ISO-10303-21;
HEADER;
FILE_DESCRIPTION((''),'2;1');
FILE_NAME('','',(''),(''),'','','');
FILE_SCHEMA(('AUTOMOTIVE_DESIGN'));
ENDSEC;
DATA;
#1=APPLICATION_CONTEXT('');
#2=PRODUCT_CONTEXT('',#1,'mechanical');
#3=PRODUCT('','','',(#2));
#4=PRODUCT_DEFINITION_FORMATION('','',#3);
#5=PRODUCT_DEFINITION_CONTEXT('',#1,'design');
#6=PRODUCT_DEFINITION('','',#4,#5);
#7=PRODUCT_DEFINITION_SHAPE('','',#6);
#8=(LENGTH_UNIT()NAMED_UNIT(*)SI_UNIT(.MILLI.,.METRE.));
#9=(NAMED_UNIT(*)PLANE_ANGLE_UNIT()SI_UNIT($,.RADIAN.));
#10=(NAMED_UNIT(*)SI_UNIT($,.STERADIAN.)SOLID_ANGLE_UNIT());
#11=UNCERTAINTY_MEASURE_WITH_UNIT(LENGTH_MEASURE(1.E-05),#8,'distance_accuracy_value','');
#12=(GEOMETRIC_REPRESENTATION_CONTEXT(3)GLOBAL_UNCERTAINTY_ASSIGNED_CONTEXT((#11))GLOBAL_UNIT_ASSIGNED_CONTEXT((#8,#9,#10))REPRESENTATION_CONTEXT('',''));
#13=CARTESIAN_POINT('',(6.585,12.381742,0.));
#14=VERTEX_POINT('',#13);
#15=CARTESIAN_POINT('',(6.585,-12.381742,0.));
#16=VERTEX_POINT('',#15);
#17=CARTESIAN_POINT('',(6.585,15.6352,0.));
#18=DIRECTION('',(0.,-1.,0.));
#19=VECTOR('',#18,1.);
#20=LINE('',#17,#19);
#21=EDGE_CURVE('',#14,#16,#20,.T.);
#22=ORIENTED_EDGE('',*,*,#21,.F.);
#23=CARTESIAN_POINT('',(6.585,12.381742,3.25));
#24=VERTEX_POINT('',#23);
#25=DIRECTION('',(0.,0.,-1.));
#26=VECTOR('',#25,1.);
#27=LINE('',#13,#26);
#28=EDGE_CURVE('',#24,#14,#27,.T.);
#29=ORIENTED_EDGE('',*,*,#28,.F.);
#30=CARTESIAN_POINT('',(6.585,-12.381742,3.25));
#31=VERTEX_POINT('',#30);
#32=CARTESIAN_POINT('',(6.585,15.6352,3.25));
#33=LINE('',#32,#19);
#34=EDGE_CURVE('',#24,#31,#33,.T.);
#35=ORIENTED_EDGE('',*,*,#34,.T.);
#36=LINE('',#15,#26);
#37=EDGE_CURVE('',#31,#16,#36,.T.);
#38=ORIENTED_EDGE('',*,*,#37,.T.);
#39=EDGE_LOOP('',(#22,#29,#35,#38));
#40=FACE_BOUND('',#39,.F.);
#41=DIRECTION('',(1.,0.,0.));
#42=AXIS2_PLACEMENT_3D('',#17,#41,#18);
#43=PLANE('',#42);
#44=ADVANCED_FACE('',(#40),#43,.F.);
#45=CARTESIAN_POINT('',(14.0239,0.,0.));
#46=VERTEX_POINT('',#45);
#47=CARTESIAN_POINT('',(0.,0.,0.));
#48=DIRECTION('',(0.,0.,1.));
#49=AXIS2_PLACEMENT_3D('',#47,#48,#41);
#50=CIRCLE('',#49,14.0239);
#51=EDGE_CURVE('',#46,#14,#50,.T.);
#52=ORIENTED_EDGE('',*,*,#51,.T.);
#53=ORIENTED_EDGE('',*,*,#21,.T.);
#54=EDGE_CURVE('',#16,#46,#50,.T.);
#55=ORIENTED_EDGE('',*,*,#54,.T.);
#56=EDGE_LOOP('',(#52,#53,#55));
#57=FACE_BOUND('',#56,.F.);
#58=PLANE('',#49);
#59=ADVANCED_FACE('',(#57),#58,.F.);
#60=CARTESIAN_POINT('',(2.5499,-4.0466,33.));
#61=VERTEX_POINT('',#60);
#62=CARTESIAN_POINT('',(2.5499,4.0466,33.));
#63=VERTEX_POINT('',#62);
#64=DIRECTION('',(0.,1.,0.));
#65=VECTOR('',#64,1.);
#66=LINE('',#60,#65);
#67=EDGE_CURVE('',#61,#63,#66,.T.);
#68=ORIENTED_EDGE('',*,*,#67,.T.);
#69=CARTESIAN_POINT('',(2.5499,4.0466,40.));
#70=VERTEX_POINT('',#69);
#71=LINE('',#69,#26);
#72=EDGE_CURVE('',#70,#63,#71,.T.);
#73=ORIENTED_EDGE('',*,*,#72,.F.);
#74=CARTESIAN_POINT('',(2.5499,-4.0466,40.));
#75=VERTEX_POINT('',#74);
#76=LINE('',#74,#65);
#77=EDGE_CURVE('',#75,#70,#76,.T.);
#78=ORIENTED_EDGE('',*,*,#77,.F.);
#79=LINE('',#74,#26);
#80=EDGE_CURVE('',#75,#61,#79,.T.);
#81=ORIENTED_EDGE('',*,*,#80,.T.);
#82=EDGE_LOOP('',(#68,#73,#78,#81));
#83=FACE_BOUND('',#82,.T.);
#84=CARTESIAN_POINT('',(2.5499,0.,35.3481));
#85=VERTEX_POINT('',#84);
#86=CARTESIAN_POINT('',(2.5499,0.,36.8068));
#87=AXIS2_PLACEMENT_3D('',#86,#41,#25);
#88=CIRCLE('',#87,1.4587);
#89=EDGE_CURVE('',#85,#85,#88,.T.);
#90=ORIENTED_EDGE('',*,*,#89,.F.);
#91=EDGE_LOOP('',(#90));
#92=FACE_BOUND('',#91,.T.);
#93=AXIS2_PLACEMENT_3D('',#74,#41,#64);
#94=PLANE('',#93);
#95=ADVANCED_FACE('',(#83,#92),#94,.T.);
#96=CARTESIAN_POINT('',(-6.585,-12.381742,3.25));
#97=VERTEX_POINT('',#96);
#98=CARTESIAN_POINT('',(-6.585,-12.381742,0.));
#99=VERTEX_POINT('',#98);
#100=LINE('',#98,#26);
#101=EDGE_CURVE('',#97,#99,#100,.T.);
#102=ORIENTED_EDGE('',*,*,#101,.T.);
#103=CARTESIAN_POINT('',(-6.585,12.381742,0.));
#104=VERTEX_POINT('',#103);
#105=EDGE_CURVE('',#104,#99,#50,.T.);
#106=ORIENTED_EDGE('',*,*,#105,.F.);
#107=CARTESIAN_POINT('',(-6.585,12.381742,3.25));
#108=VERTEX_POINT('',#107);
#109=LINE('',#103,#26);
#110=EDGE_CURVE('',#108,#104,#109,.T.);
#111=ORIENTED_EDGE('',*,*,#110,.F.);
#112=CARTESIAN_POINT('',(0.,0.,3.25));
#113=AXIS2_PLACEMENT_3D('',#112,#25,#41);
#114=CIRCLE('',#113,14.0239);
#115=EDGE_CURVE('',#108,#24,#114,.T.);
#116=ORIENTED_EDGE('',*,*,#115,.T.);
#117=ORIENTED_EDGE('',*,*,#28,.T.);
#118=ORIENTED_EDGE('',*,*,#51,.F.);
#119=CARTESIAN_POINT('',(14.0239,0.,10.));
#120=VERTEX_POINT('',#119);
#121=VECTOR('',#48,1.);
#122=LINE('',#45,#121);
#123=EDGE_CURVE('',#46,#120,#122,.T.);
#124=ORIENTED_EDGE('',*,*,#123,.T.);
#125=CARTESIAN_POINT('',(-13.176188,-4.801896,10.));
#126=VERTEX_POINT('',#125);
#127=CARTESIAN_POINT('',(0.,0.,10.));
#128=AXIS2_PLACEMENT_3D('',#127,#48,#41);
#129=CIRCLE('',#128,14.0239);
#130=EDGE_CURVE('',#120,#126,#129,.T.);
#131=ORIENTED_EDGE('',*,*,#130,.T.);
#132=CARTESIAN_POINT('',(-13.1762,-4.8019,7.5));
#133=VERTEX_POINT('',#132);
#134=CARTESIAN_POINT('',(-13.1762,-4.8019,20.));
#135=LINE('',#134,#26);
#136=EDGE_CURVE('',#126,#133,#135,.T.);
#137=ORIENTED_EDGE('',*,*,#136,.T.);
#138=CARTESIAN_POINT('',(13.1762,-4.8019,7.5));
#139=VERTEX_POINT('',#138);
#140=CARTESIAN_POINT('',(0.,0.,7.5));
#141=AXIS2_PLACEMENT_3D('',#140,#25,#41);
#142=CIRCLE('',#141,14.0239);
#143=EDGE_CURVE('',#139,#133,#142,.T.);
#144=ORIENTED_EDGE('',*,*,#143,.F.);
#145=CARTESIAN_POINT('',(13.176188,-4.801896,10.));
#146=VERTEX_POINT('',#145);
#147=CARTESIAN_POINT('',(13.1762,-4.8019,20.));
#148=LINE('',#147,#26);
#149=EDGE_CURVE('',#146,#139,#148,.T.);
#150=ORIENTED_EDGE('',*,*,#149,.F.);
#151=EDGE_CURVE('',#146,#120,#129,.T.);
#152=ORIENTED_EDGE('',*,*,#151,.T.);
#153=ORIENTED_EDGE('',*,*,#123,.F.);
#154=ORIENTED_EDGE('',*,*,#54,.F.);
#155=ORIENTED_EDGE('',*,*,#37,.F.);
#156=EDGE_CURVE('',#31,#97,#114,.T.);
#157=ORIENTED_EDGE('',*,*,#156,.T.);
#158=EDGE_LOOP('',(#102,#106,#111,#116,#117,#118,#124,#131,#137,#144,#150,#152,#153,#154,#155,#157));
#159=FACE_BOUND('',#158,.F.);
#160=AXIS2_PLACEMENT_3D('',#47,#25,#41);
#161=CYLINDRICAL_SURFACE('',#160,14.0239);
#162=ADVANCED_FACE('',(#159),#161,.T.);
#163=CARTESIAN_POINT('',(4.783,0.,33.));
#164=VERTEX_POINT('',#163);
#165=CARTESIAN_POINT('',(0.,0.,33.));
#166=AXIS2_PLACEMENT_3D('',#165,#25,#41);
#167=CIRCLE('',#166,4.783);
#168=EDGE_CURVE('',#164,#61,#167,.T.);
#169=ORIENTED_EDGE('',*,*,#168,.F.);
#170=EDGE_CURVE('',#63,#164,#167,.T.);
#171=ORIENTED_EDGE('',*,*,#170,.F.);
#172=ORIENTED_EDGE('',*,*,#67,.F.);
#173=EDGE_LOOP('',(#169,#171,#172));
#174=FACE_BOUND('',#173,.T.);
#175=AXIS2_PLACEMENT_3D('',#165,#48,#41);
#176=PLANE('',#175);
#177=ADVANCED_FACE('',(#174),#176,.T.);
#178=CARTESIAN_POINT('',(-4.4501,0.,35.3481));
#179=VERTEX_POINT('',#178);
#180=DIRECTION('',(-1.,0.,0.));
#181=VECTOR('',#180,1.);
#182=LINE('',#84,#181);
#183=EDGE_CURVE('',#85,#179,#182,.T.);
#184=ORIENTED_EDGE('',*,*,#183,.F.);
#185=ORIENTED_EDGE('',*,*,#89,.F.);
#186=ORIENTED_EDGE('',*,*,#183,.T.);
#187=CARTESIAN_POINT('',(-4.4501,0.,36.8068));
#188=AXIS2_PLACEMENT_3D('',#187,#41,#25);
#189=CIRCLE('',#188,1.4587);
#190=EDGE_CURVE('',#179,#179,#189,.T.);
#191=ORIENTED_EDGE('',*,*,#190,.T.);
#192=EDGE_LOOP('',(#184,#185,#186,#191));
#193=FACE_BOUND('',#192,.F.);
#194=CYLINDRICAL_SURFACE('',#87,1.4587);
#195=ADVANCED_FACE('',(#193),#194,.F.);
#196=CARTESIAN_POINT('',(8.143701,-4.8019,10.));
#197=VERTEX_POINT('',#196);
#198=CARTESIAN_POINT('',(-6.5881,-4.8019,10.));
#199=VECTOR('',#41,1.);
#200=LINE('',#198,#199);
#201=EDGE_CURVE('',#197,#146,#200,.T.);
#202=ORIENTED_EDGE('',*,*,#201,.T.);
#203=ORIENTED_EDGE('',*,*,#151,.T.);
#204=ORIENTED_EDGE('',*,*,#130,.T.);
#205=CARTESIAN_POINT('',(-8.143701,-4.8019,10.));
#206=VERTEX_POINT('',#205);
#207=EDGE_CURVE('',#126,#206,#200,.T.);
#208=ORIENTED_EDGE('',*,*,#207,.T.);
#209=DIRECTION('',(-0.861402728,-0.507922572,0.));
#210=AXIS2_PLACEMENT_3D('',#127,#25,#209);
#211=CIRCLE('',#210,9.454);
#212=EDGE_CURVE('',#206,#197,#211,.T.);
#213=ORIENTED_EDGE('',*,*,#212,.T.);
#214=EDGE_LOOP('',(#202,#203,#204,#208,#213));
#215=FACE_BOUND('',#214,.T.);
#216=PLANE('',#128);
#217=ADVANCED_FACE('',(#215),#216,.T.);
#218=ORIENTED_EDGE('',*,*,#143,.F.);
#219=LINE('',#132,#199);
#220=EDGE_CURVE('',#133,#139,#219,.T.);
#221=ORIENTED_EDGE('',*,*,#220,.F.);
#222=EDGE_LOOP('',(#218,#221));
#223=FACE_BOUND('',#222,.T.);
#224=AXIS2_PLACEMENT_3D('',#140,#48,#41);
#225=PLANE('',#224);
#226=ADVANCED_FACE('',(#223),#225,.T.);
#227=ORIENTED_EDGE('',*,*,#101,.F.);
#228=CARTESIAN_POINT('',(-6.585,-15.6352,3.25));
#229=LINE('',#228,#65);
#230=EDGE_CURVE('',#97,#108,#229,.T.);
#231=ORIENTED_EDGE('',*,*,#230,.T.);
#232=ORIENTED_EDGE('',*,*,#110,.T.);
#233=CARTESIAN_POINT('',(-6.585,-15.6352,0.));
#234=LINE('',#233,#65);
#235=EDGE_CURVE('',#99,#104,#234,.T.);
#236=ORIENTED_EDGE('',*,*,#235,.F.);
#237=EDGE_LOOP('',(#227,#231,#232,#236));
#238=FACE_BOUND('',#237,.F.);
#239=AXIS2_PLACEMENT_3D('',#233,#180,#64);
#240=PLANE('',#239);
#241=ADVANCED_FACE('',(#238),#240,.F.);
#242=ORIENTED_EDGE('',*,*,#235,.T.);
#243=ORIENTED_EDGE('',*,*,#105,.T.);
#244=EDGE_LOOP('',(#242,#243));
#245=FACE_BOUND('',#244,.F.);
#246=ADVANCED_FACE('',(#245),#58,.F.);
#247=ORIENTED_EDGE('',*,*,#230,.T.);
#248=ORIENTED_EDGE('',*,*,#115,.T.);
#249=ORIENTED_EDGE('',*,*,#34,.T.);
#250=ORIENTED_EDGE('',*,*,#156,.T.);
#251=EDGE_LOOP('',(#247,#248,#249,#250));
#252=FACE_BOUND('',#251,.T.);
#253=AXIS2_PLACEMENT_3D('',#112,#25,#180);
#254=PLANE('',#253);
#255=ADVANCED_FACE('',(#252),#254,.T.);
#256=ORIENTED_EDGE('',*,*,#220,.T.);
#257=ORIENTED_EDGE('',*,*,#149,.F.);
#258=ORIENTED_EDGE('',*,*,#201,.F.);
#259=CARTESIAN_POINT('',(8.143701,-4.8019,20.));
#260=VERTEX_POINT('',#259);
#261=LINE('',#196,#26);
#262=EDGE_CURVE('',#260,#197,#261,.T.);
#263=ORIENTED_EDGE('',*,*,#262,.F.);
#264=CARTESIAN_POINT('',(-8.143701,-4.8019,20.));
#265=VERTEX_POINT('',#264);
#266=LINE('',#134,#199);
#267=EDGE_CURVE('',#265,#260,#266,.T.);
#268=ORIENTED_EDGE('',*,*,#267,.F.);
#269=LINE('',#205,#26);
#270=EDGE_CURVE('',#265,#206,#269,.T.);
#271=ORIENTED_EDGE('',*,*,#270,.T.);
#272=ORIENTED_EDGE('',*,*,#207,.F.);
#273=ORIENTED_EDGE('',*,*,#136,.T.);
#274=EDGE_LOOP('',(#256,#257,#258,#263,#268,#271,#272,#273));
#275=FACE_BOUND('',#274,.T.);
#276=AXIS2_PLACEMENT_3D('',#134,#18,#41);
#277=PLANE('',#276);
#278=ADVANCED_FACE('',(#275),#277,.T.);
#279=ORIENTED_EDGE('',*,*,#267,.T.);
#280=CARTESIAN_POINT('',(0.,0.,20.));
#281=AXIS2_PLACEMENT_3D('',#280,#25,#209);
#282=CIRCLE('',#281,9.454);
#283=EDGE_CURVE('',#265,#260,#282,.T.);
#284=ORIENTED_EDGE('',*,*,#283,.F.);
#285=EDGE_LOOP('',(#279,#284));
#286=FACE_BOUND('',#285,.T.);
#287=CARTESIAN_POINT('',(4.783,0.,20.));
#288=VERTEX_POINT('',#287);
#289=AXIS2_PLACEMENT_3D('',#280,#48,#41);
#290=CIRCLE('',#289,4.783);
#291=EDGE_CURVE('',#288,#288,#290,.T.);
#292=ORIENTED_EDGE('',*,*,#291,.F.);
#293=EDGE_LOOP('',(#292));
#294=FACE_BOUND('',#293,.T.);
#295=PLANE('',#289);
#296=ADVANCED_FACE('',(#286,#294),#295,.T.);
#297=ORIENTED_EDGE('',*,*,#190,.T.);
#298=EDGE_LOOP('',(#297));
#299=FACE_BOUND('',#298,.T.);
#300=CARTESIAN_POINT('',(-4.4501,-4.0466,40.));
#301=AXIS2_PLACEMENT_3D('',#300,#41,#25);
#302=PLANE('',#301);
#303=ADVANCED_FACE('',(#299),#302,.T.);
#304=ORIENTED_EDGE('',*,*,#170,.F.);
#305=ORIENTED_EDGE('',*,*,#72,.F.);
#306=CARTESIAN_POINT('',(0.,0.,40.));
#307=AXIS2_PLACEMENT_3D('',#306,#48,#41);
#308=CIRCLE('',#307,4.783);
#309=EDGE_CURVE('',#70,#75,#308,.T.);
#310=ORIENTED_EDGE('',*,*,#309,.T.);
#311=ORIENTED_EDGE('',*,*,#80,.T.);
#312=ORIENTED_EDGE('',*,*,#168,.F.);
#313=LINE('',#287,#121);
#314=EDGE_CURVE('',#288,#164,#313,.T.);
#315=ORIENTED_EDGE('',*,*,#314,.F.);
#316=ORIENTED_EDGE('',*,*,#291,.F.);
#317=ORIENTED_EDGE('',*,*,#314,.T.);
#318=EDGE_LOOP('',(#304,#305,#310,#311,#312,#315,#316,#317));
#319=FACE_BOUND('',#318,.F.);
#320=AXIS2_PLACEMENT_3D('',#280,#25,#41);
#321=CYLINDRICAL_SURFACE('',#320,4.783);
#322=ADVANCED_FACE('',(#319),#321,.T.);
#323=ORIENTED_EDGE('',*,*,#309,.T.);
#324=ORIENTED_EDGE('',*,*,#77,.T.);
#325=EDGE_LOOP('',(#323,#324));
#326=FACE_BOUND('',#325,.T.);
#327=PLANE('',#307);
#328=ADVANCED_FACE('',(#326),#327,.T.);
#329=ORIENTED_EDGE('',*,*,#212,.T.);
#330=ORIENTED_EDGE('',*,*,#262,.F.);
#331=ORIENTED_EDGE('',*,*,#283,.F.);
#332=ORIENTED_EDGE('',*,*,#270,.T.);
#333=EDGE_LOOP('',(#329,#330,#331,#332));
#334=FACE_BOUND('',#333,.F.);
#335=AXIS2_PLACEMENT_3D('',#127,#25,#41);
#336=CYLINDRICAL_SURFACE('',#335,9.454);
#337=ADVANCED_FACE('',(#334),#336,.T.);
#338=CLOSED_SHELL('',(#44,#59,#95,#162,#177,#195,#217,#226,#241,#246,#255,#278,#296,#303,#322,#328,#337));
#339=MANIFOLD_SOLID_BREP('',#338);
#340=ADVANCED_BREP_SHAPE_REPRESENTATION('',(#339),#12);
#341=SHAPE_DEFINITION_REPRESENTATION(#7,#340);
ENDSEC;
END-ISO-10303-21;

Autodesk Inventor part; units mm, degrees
ref_plane "YZ Plane" through (0, 0, 0) normal (1, 0, 0) x (0, 1, 0)
ref_plane "XZ Plane" through (0, 0, 0) normal (0, 1, 0) x (-1, 0, 0)
ref_plane "XY Plane" through (0, 0, 0) normal (0, 0, 1) x (1, 0, 0)
sketch "스케치1" plane through (0, 0, 0) normal (0, 0, 1) x (1, 0, 0)
  circle A0 centre (0, 0) radius 14.0239
extrude "돌출1" add sketch "스케치1" along normal blind 10
sketch "스케치2" plane through (0, 0, 10) normal (0, 0, 1) x (1, 0, 0)
  circle A0 centre (0, 0) radius 9.454
extrude "돌출2" add sketch "스케치2" along normal blind 10
sketch "스케치3" plane through (0, 0, 20) normal (0, 0, 1) x (1, 0, 0)
  circle A0 centre (0, 0) radius 4.783
extrude "돌출3" add sketch "스케치3" along normal blind 20
sketch "스케치4" plane through (0, 0, 40) normal (0, 0, 1) x (1, 0, 0)
  circle A0 centre (0, 0) radius 4.783 projected
  line L0 (7.0161, -4.0466) -> (2.5499, -4.0466)
  line L1 (2.5499, -4.0466) -> (2.5499, 4.0466)
  line L2 (2.5499, 4.0466) -> (7.0161, 4.0466)
  line L3 (7.0161, 4.0466) -> (7.0161, -4.0466)
  circle A1 centre (0, 0) radius 4.783 projected
  line L4 (7.0161, -4.0466) -> (2.5499, 4.0466) construction
  line L5 (2.5499, -4.0466) -> (7.0161, 4.0466) construction
  point P0 (4.783, 0)
extrude "돌출4" cut sketch "스케치4" against normal blind 7 contours A0 L1 | A0 L2 L3 L0 picked at (3.2943, 0)
sketch "스케치5" plane through (2.5499, -4.0466, 40) normal (1, 0, 0) x (0, 0, -1)
  circle A0 centre (3.1932, 4.0466) radius 1.4587
  point P0 (40, 4.0466)
extrude "돌출5" cut sketch "스케치5" against normal blind 7
sketch "스케치6" plane through (0, 0, 20) normal (0, 0, 1) x (1, 0, 0)
  circle A0 centre (0, 0) radius 14.0239 projected
  line L0 (13.1762, -23.246) -> (-13.1762, -23.246)
  line L1 (-13.1762, -23.246) -> (-13.1762, -4.8019)
  line L2 (-13.1762, -4.8019) -> (13.1762, -4.8019)
  line L3 (13.1762, -4.8019) -> (13.1762, -23.246)
  line L4 (13.1762, -23.246) -> (-13.1762, -4.8019) construction
  line L5 (-13.1762, -23.246) -> (13.1762, -4.8019) construction
  point P0 (0, -14.0239)
extrude "돌출6" cut sketch "스케치6" against normal blind 12.5 contours L2 A0 | A0 L3 L0 L1 picked at (-1.1305, -9.7665)
sketch "스케치7" plane through (0, 0, 0) normal (0, 0, -1) x (-1, 0, 0)
  line L0 (6.585, 15.6352) -> (-6.585, 15.6352)
  line L1 (-6.585, 15.6352) -> (-6.585, -15.6352)
  line L2 (-6.585, -15.6352) -> (6.585, -15.6352)
  line L3 (6.585, -15.6352) -> (6.585, 15.6352)
  line L4 (6.585, 15.6352) -> (-6.585, -15.6352) construction
  line L5 (-6.585, 15.6352) -> (6.585, -15.6352) construction
  point P0 (0, 0)
extrude "돌출7" cut sketch "스케치7" against normal blind 3.25
properties part number "240628_final4"
